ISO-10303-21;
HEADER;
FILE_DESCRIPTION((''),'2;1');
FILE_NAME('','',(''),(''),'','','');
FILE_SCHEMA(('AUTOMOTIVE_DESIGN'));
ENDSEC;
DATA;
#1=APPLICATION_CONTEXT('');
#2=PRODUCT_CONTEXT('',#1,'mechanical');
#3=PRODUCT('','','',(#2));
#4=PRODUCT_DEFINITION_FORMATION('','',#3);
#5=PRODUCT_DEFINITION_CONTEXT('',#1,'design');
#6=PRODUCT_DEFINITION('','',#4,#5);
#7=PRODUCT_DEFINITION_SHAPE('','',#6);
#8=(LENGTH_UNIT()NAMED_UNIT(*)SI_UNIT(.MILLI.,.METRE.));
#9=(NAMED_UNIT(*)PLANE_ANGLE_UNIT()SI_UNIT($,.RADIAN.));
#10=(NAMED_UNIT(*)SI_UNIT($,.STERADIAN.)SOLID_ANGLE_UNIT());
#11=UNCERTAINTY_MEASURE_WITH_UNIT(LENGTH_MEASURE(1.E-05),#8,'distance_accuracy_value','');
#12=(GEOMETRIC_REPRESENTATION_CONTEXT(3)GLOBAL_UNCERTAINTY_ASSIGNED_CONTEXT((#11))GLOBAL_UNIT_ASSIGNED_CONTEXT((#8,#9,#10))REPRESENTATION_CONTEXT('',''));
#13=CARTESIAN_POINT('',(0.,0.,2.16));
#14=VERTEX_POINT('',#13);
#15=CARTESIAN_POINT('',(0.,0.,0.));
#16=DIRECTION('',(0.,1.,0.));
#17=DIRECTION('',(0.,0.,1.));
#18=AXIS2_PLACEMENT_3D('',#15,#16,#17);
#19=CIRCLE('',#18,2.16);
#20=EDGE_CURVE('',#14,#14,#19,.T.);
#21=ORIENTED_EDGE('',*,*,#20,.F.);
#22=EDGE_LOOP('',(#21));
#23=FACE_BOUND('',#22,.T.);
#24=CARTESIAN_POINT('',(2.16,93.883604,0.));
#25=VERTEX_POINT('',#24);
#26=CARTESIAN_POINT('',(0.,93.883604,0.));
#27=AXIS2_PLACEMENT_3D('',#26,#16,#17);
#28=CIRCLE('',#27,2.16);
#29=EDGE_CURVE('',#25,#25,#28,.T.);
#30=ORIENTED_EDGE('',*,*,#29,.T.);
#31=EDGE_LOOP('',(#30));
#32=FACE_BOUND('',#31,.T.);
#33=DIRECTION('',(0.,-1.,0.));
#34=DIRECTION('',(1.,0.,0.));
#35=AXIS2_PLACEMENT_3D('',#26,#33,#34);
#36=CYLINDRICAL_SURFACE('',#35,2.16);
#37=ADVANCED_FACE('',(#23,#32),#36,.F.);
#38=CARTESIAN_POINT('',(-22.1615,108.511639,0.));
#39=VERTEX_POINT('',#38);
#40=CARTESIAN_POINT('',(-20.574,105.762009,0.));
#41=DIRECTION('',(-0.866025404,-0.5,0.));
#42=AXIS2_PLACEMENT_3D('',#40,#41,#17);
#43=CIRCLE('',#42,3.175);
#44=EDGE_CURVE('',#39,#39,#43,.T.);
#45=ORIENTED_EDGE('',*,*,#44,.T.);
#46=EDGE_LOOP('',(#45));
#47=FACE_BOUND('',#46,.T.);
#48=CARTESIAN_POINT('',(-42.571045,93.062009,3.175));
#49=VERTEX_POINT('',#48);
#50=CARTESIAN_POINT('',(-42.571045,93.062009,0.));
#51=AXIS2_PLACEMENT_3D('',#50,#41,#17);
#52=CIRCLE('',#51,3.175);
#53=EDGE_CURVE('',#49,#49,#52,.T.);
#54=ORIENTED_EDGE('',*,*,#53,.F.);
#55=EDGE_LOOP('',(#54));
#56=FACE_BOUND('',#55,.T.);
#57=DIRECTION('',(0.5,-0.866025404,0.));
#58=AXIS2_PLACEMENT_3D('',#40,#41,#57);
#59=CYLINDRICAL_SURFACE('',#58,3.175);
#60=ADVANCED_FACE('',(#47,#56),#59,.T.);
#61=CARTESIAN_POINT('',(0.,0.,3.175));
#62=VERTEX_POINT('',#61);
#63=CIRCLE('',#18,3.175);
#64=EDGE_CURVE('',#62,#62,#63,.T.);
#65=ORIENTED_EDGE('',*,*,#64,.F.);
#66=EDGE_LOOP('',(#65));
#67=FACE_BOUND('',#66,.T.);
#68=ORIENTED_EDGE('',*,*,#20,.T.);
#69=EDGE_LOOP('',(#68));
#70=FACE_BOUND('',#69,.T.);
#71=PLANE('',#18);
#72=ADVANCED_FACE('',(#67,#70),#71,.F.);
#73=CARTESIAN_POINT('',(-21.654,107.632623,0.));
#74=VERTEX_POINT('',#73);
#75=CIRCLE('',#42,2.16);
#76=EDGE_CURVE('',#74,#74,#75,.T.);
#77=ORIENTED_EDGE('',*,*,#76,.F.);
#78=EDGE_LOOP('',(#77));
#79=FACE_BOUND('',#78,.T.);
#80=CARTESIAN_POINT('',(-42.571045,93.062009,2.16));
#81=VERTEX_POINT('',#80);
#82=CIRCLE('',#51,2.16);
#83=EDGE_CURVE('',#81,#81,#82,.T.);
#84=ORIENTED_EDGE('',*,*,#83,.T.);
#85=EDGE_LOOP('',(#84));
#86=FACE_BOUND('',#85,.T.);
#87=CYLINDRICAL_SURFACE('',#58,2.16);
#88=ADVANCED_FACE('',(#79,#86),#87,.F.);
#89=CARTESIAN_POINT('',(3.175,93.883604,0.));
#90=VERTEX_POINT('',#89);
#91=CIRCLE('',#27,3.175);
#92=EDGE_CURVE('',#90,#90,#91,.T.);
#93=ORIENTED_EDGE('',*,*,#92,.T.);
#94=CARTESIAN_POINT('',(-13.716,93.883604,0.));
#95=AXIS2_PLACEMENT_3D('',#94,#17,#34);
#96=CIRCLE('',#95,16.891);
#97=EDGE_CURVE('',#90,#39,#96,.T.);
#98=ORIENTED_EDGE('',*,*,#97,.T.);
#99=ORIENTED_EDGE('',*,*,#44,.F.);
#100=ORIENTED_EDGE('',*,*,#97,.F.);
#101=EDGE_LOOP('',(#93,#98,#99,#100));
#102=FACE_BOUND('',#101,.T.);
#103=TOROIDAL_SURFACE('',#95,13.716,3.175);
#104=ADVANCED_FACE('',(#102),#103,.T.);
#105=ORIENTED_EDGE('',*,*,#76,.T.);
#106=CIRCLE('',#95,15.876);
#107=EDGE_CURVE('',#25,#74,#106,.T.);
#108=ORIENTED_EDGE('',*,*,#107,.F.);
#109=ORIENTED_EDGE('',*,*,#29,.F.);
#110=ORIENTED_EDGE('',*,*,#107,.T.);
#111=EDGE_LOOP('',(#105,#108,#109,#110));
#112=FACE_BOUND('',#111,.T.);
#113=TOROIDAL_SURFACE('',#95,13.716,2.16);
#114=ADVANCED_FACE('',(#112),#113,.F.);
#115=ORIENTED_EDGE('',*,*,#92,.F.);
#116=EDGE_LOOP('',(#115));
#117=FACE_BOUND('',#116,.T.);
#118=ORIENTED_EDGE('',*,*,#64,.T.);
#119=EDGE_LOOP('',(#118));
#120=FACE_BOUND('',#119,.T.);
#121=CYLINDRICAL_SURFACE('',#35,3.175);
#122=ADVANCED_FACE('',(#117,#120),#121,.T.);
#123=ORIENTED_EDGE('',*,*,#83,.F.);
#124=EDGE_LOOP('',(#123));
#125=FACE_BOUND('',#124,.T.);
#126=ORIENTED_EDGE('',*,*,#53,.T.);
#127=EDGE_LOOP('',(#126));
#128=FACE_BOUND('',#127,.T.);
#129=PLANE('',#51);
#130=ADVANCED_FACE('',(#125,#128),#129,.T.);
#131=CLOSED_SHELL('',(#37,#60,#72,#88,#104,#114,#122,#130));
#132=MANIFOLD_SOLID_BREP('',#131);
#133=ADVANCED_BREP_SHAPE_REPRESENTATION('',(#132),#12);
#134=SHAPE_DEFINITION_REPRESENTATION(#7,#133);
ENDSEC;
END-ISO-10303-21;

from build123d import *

# Parameters (mm, degrees)
SKETCH1_R   = 3.175
SKETCH1_R_2 = 2.16


with BuildPart() as part:
    # Sweep1: sweep along a path in Sketch2
    with BuildLine(Plane.XY) as sweep1_path:
        Line((-42.571045256, 93.062008577), (-20.574, 105.762008577))
        ThreePointArc((-20.574, 105.762008577), (-6.858, 105.762008577), (0, 93.883604139))
        Line((0, 93.883604139), (0, 0))
    # Sketch1 → Sweep1 (sweep)
    with BuildSketch(Plane(origin=(0, 0, 0), x_dir=(1, 0, 0), z_dir=(0, 1, 0))):
        Circle(SKETCH1_R)
        Circle(SKETCH1_R_2, mode=Mode.SUBTRACT)
    sweep(path=sweep1_path.line)


solid = part.part
